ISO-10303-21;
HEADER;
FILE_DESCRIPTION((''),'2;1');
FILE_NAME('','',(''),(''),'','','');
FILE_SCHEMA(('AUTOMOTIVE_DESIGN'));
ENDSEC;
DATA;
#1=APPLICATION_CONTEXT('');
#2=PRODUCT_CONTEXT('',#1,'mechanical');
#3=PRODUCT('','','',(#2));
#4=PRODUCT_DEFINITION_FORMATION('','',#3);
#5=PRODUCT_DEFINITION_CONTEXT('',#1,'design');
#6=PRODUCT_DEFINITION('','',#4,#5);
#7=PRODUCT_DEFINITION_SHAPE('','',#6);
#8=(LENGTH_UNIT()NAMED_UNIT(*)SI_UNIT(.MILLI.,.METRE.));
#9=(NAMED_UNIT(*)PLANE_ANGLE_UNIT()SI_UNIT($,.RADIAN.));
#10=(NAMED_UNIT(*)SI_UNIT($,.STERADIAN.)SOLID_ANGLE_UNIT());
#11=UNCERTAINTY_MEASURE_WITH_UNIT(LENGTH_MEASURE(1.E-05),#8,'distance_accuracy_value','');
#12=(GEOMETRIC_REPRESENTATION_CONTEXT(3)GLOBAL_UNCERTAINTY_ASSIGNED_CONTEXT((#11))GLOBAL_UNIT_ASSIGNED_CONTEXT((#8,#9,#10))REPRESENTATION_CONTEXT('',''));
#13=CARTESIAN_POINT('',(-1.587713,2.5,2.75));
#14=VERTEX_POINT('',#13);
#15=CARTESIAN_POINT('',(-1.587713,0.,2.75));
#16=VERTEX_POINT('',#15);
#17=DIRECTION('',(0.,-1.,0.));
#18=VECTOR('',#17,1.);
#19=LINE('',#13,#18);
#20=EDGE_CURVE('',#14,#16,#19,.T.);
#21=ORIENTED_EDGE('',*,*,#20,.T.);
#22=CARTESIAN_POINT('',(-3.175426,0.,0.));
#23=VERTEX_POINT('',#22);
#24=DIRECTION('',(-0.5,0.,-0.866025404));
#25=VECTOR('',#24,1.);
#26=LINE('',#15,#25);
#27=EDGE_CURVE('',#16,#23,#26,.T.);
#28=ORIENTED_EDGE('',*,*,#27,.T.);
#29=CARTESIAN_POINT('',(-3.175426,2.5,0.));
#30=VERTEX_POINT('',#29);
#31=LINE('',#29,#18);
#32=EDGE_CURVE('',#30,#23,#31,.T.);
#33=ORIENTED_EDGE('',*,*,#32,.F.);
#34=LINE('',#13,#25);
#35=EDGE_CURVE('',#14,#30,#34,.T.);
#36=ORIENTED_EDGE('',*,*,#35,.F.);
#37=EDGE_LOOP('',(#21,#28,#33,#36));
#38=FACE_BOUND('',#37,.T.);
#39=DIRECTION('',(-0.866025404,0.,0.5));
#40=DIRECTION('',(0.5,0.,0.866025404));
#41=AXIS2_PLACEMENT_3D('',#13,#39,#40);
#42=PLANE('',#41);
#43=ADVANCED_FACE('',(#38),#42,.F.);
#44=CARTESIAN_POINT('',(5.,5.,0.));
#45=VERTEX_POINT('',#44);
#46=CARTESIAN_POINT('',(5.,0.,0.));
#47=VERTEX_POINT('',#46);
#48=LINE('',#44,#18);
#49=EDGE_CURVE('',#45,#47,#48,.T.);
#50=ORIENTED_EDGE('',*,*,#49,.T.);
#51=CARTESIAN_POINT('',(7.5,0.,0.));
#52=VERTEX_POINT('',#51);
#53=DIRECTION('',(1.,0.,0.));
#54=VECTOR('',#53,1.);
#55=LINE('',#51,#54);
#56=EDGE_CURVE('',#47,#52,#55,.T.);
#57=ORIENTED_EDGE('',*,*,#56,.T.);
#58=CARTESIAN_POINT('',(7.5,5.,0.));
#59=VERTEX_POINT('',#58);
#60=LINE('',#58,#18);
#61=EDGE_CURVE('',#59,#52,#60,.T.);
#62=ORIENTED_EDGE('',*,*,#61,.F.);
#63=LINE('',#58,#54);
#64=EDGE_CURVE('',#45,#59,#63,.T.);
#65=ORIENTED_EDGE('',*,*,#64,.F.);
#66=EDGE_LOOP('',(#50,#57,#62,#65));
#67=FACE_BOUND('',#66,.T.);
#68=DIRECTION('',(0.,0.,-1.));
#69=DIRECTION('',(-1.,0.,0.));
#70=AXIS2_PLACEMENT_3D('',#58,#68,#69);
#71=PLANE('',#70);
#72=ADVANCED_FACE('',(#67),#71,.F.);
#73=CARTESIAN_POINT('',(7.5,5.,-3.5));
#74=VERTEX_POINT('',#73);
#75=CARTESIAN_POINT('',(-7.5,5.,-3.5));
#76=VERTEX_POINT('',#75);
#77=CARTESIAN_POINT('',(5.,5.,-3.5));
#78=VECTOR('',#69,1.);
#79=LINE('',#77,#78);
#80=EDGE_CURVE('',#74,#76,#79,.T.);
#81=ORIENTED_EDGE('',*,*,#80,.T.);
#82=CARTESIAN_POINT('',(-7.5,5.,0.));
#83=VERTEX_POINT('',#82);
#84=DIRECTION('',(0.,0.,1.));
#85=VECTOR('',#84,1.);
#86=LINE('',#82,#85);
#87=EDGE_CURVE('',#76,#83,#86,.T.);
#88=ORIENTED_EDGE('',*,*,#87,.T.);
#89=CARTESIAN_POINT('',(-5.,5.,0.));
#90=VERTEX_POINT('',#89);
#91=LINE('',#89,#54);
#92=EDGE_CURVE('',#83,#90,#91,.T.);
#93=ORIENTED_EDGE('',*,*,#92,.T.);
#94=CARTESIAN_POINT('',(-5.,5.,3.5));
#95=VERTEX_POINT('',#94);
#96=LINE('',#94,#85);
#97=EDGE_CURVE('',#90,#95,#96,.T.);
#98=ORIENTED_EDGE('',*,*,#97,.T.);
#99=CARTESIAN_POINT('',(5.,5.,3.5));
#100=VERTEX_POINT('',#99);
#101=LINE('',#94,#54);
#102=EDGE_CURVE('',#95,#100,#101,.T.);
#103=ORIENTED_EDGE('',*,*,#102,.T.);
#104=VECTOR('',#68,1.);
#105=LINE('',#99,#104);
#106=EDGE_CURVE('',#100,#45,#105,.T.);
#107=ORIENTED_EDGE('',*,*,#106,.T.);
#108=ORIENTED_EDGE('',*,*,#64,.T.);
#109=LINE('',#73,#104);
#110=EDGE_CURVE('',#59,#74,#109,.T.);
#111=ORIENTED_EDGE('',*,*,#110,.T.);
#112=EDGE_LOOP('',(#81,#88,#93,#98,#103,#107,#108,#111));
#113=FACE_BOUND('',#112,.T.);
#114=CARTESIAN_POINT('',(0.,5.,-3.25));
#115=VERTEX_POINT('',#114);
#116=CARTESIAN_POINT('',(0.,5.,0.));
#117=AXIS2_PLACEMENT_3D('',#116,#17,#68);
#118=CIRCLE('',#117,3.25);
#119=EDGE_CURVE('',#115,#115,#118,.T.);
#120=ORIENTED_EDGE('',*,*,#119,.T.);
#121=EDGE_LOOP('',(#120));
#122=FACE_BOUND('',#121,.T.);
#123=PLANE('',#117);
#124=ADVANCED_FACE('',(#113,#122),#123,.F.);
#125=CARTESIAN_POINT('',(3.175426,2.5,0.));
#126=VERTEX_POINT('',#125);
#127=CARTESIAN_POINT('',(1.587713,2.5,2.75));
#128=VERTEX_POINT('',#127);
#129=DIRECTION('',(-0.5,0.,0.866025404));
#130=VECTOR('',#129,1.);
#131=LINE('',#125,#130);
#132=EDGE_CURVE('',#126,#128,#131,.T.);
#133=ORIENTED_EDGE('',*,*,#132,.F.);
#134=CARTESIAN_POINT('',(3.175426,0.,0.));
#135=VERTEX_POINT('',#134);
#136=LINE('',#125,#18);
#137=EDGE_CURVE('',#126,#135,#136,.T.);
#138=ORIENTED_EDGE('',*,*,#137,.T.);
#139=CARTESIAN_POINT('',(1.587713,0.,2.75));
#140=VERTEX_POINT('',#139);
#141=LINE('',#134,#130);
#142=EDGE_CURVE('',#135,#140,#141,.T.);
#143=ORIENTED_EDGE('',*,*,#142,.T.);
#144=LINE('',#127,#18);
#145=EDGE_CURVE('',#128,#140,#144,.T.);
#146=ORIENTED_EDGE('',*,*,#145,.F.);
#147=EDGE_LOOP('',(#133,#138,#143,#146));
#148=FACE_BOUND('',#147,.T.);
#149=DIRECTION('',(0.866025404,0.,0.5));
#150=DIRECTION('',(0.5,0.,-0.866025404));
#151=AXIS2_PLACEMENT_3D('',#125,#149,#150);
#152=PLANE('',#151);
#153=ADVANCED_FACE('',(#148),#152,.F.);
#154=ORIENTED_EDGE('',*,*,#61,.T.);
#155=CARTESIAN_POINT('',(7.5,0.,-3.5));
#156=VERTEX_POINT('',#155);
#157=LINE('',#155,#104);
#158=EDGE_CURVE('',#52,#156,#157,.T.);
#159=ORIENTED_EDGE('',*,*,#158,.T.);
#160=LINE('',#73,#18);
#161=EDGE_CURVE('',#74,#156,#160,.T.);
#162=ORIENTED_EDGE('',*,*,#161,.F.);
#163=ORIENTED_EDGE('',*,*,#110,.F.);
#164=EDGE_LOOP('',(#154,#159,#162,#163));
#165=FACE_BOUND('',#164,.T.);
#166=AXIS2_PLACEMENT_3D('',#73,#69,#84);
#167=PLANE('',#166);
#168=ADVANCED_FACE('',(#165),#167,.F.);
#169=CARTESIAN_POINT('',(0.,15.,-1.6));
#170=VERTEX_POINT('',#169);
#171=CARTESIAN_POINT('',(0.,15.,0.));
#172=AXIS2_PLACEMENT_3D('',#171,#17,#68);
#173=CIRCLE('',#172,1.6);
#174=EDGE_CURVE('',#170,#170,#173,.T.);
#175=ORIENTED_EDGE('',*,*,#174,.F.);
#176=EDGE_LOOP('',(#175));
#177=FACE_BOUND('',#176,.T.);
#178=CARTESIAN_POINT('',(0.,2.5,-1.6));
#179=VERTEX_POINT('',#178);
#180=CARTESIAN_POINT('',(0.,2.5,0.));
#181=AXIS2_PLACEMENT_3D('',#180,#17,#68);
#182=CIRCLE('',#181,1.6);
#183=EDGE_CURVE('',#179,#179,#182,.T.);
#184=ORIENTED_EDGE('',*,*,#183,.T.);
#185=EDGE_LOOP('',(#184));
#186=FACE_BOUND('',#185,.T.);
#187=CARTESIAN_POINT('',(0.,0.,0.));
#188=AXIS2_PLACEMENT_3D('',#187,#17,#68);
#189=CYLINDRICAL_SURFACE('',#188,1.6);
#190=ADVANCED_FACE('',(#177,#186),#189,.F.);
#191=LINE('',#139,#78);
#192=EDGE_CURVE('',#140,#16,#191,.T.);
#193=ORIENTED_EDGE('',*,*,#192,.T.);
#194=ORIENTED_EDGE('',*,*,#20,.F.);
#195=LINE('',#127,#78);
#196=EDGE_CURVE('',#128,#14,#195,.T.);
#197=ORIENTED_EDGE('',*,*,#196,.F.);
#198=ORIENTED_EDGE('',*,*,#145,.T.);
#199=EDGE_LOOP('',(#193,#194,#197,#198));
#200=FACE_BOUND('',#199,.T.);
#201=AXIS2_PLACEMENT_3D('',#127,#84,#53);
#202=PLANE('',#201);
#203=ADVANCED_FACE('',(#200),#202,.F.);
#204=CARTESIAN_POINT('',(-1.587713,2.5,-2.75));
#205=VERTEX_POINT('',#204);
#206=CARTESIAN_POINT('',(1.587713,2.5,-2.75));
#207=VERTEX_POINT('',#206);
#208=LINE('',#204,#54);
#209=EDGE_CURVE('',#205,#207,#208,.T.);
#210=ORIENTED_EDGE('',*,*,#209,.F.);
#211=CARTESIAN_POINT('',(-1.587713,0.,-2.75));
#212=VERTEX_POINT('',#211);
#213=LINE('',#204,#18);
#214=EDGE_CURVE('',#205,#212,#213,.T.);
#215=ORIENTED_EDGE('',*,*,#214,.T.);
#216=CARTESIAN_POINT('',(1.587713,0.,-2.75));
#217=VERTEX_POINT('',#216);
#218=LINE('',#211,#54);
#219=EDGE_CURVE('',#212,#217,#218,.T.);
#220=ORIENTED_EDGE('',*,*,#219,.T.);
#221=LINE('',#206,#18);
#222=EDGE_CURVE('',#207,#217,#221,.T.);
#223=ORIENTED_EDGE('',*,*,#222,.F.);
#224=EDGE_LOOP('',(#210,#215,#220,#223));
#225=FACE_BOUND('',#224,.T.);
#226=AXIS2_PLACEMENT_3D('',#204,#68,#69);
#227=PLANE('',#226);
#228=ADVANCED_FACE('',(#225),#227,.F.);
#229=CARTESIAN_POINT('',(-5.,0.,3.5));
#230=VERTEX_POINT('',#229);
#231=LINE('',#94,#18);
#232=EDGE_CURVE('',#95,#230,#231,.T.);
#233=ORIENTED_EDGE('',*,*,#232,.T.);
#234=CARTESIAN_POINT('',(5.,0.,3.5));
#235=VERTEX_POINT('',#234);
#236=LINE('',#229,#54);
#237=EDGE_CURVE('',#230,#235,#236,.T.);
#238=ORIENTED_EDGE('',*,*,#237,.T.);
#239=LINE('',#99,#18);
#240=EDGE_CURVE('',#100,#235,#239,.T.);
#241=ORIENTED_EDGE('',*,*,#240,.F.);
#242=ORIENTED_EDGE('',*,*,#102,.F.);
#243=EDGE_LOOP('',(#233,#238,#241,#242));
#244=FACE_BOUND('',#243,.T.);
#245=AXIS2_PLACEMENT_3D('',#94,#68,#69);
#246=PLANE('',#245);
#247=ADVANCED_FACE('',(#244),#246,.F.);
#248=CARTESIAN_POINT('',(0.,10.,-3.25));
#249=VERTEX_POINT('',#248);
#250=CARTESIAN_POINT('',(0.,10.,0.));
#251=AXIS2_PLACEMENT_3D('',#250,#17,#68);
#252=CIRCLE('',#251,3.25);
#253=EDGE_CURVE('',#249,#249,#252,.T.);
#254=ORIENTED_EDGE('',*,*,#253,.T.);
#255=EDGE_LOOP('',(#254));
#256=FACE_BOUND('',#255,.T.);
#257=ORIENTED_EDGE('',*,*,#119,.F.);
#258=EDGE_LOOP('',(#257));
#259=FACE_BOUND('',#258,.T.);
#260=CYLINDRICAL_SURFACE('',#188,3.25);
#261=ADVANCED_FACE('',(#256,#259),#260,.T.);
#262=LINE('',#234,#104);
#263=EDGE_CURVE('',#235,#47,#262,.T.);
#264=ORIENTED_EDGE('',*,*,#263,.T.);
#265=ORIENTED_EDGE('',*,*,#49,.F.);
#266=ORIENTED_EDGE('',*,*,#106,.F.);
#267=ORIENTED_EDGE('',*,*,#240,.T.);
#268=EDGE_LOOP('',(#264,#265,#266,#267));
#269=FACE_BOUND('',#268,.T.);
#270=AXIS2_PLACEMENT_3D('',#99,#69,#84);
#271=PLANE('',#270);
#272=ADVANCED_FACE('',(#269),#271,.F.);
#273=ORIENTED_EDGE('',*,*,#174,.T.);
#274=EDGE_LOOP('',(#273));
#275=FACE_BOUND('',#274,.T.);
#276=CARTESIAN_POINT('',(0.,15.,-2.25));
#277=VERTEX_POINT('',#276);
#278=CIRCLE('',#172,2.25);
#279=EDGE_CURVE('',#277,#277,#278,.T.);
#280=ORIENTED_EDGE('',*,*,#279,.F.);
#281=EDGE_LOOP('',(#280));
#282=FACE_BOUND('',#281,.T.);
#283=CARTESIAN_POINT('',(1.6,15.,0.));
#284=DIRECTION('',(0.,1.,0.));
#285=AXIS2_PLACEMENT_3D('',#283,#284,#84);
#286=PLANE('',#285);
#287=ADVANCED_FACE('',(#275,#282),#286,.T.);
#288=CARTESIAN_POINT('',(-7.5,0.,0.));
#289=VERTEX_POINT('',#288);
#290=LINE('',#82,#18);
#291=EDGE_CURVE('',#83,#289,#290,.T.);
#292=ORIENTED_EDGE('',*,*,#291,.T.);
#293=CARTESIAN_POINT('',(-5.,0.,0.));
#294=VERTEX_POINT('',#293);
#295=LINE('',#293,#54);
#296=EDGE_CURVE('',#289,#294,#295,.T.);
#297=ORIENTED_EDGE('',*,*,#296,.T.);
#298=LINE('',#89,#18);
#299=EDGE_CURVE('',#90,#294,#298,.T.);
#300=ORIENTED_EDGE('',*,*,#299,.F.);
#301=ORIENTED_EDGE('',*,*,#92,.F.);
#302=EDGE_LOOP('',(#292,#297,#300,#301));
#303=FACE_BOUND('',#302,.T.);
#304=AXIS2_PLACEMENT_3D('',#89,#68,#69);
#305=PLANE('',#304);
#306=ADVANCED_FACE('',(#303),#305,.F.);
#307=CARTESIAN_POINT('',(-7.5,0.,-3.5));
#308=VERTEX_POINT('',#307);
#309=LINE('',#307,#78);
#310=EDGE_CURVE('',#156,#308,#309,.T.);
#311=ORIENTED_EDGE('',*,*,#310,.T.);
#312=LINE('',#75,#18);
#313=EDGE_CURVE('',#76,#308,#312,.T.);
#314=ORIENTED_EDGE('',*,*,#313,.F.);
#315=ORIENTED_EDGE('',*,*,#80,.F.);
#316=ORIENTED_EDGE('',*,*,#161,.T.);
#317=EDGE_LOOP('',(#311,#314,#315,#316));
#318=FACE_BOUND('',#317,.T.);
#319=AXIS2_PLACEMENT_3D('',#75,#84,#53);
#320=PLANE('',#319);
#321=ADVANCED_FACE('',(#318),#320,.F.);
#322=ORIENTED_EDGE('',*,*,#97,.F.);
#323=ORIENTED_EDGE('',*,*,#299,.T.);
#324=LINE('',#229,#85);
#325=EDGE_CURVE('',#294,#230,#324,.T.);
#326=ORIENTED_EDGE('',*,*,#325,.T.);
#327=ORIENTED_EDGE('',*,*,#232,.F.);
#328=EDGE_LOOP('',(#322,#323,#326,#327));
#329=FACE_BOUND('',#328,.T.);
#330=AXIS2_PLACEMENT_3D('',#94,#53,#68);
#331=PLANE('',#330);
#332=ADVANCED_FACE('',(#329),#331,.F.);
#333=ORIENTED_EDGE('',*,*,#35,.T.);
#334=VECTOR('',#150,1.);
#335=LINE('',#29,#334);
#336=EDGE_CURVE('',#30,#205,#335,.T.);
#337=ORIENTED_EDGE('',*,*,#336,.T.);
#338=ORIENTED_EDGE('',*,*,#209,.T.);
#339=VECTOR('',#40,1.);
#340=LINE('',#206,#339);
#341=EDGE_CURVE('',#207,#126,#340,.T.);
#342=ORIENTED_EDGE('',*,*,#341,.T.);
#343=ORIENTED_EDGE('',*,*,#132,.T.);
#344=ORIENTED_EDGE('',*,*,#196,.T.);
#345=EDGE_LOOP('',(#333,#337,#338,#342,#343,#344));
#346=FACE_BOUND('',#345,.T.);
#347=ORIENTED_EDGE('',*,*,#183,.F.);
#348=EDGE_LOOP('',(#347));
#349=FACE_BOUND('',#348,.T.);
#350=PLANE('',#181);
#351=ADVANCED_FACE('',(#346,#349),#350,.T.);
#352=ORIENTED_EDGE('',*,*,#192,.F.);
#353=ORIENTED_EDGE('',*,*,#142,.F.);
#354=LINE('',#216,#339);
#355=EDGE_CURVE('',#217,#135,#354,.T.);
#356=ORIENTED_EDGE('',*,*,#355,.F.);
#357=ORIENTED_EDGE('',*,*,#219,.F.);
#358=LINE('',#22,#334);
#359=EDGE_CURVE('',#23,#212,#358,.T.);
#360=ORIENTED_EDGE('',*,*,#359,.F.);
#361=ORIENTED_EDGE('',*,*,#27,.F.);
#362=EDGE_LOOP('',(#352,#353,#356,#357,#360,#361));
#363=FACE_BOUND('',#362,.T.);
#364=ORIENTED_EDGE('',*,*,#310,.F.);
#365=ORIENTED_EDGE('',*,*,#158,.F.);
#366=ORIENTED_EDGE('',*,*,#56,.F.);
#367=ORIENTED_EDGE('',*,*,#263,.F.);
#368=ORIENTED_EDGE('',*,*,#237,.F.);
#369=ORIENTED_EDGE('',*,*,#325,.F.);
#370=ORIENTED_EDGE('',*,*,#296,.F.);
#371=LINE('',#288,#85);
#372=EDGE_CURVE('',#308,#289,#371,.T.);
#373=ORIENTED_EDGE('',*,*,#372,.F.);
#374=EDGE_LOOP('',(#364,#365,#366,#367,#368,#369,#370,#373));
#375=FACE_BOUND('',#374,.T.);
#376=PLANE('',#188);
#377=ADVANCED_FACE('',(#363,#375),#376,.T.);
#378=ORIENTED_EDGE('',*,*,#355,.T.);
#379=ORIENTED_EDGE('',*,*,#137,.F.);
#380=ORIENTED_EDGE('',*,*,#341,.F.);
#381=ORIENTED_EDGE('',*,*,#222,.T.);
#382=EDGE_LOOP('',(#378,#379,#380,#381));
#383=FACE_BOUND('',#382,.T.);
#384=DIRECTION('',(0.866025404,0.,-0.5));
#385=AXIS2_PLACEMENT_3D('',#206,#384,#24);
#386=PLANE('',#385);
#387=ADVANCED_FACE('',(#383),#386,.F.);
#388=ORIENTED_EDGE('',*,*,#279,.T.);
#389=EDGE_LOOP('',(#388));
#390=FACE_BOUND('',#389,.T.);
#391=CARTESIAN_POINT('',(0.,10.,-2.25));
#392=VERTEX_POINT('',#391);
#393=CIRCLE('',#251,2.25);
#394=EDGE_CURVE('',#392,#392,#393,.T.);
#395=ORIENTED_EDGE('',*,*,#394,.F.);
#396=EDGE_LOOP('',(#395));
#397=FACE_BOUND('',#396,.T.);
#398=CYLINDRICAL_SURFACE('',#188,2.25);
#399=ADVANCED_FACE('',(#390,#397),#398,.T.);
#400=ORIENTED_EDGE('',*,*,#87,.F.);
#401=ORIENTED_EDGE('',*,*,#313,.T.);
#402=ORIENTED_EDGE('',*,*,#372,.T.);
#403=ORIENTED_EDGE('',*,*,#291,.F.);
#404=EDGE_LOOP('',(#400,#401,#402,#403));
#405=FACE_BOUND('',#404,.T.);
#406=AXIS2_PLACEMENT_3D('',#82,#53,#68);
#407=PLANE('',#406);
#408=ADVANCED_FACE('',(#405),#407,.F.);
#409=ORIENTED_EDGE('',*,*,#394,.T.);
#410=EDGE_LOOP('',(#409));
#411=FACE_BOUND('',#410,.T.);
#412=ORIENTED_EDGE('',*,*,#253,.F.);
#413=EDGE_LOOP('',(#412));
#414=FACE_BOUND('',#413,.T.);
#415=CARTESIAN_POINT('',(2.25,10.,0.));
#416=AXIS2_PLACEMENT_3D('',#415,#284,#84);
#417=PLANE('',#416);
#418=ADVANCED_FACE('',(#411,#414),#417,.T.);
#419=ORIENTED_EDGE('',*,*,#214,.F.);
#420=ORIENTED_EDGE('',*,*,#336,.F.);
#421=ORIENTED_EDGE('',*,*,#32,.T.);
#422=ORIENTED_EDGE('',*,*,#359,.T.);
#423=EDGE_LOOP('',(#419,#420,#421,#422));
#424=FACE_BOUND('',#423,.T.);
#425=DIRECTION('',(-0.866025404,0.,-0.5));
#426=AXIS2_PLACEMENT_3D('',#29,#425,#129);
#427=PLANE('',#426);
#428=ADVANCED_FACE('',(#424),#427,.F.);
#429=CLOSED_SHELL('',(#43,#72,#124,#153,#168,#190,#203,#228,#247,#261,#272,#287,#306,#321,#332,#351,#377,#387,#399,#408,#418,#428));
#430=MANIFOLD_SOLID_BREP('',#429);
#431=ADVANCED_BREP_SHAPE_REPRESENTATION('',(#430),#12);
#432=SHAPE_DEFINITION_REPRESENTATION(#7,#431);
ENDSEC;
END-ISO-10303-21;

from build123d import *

# Parameters (mm, degrees)
BOSS_EXTRUDE1_DEPTH = 5
CUT_EXTRUDE1_DEPTH  = 2.5
SKETCH5_R           = 1.6
CUT_EXTRUDE2_DEPTH  = 13.5


with BuildPart() as part:
    # Sketch2 → Boss-Extrude1 (new body)
    with BuildSketch(Plane(origin=(0, 0, 0), x_dir=(1, 0, 0), z_dir=(0, 1, 0))):
        Polygon((-5, 0), (-7.5, 0), (-7.5, 3.5), (-5, 3.5), (5, 3.5), (7.5, 3.5), (7.5, 0), (5, 0), (5, -3.5), (-5, -3.5), align=None)
    extrude(amount=BOSS_EXTRUDE1_DEPTH)

    # Sketch3 → Cut-Extrude1 (cut)
    with BuildSketch(Plane.XZ):
        Polygon((3.175426481, 0), (1.58771324, 2.75), (-1.58771324, 2.75), (-3.175426481, 0), (-1.58771324, -2.75), (1.58771324, -2.75), align=None)
    extrude(amount=-CUT_EXTRUDE1_DEPTH, mode=Mode.SUBTRACT)

    # Sketch4 → Revolve1 (revolve)
    with BuildSketch(Plane.XY):
        Polygon((1.6, 5), (1.6, 15), (2.25, 15), (2.25, 10), (3.25, 10), (3.25, 5), align=None)
    revolve(axis=Axis((0, 0, 0), (0, 1, 0)))

    # Sketch5 → Cut-Extrude2 (cut, through all)
    with BuildSketch(Plane.XZ.offset(-2.5)):
        Circle(SKETCH5_R)
    extrude(amount=-CUT_EXTRUDE2_DEPTH, mode=Mode.SUBTRACT)


solid = part.part
